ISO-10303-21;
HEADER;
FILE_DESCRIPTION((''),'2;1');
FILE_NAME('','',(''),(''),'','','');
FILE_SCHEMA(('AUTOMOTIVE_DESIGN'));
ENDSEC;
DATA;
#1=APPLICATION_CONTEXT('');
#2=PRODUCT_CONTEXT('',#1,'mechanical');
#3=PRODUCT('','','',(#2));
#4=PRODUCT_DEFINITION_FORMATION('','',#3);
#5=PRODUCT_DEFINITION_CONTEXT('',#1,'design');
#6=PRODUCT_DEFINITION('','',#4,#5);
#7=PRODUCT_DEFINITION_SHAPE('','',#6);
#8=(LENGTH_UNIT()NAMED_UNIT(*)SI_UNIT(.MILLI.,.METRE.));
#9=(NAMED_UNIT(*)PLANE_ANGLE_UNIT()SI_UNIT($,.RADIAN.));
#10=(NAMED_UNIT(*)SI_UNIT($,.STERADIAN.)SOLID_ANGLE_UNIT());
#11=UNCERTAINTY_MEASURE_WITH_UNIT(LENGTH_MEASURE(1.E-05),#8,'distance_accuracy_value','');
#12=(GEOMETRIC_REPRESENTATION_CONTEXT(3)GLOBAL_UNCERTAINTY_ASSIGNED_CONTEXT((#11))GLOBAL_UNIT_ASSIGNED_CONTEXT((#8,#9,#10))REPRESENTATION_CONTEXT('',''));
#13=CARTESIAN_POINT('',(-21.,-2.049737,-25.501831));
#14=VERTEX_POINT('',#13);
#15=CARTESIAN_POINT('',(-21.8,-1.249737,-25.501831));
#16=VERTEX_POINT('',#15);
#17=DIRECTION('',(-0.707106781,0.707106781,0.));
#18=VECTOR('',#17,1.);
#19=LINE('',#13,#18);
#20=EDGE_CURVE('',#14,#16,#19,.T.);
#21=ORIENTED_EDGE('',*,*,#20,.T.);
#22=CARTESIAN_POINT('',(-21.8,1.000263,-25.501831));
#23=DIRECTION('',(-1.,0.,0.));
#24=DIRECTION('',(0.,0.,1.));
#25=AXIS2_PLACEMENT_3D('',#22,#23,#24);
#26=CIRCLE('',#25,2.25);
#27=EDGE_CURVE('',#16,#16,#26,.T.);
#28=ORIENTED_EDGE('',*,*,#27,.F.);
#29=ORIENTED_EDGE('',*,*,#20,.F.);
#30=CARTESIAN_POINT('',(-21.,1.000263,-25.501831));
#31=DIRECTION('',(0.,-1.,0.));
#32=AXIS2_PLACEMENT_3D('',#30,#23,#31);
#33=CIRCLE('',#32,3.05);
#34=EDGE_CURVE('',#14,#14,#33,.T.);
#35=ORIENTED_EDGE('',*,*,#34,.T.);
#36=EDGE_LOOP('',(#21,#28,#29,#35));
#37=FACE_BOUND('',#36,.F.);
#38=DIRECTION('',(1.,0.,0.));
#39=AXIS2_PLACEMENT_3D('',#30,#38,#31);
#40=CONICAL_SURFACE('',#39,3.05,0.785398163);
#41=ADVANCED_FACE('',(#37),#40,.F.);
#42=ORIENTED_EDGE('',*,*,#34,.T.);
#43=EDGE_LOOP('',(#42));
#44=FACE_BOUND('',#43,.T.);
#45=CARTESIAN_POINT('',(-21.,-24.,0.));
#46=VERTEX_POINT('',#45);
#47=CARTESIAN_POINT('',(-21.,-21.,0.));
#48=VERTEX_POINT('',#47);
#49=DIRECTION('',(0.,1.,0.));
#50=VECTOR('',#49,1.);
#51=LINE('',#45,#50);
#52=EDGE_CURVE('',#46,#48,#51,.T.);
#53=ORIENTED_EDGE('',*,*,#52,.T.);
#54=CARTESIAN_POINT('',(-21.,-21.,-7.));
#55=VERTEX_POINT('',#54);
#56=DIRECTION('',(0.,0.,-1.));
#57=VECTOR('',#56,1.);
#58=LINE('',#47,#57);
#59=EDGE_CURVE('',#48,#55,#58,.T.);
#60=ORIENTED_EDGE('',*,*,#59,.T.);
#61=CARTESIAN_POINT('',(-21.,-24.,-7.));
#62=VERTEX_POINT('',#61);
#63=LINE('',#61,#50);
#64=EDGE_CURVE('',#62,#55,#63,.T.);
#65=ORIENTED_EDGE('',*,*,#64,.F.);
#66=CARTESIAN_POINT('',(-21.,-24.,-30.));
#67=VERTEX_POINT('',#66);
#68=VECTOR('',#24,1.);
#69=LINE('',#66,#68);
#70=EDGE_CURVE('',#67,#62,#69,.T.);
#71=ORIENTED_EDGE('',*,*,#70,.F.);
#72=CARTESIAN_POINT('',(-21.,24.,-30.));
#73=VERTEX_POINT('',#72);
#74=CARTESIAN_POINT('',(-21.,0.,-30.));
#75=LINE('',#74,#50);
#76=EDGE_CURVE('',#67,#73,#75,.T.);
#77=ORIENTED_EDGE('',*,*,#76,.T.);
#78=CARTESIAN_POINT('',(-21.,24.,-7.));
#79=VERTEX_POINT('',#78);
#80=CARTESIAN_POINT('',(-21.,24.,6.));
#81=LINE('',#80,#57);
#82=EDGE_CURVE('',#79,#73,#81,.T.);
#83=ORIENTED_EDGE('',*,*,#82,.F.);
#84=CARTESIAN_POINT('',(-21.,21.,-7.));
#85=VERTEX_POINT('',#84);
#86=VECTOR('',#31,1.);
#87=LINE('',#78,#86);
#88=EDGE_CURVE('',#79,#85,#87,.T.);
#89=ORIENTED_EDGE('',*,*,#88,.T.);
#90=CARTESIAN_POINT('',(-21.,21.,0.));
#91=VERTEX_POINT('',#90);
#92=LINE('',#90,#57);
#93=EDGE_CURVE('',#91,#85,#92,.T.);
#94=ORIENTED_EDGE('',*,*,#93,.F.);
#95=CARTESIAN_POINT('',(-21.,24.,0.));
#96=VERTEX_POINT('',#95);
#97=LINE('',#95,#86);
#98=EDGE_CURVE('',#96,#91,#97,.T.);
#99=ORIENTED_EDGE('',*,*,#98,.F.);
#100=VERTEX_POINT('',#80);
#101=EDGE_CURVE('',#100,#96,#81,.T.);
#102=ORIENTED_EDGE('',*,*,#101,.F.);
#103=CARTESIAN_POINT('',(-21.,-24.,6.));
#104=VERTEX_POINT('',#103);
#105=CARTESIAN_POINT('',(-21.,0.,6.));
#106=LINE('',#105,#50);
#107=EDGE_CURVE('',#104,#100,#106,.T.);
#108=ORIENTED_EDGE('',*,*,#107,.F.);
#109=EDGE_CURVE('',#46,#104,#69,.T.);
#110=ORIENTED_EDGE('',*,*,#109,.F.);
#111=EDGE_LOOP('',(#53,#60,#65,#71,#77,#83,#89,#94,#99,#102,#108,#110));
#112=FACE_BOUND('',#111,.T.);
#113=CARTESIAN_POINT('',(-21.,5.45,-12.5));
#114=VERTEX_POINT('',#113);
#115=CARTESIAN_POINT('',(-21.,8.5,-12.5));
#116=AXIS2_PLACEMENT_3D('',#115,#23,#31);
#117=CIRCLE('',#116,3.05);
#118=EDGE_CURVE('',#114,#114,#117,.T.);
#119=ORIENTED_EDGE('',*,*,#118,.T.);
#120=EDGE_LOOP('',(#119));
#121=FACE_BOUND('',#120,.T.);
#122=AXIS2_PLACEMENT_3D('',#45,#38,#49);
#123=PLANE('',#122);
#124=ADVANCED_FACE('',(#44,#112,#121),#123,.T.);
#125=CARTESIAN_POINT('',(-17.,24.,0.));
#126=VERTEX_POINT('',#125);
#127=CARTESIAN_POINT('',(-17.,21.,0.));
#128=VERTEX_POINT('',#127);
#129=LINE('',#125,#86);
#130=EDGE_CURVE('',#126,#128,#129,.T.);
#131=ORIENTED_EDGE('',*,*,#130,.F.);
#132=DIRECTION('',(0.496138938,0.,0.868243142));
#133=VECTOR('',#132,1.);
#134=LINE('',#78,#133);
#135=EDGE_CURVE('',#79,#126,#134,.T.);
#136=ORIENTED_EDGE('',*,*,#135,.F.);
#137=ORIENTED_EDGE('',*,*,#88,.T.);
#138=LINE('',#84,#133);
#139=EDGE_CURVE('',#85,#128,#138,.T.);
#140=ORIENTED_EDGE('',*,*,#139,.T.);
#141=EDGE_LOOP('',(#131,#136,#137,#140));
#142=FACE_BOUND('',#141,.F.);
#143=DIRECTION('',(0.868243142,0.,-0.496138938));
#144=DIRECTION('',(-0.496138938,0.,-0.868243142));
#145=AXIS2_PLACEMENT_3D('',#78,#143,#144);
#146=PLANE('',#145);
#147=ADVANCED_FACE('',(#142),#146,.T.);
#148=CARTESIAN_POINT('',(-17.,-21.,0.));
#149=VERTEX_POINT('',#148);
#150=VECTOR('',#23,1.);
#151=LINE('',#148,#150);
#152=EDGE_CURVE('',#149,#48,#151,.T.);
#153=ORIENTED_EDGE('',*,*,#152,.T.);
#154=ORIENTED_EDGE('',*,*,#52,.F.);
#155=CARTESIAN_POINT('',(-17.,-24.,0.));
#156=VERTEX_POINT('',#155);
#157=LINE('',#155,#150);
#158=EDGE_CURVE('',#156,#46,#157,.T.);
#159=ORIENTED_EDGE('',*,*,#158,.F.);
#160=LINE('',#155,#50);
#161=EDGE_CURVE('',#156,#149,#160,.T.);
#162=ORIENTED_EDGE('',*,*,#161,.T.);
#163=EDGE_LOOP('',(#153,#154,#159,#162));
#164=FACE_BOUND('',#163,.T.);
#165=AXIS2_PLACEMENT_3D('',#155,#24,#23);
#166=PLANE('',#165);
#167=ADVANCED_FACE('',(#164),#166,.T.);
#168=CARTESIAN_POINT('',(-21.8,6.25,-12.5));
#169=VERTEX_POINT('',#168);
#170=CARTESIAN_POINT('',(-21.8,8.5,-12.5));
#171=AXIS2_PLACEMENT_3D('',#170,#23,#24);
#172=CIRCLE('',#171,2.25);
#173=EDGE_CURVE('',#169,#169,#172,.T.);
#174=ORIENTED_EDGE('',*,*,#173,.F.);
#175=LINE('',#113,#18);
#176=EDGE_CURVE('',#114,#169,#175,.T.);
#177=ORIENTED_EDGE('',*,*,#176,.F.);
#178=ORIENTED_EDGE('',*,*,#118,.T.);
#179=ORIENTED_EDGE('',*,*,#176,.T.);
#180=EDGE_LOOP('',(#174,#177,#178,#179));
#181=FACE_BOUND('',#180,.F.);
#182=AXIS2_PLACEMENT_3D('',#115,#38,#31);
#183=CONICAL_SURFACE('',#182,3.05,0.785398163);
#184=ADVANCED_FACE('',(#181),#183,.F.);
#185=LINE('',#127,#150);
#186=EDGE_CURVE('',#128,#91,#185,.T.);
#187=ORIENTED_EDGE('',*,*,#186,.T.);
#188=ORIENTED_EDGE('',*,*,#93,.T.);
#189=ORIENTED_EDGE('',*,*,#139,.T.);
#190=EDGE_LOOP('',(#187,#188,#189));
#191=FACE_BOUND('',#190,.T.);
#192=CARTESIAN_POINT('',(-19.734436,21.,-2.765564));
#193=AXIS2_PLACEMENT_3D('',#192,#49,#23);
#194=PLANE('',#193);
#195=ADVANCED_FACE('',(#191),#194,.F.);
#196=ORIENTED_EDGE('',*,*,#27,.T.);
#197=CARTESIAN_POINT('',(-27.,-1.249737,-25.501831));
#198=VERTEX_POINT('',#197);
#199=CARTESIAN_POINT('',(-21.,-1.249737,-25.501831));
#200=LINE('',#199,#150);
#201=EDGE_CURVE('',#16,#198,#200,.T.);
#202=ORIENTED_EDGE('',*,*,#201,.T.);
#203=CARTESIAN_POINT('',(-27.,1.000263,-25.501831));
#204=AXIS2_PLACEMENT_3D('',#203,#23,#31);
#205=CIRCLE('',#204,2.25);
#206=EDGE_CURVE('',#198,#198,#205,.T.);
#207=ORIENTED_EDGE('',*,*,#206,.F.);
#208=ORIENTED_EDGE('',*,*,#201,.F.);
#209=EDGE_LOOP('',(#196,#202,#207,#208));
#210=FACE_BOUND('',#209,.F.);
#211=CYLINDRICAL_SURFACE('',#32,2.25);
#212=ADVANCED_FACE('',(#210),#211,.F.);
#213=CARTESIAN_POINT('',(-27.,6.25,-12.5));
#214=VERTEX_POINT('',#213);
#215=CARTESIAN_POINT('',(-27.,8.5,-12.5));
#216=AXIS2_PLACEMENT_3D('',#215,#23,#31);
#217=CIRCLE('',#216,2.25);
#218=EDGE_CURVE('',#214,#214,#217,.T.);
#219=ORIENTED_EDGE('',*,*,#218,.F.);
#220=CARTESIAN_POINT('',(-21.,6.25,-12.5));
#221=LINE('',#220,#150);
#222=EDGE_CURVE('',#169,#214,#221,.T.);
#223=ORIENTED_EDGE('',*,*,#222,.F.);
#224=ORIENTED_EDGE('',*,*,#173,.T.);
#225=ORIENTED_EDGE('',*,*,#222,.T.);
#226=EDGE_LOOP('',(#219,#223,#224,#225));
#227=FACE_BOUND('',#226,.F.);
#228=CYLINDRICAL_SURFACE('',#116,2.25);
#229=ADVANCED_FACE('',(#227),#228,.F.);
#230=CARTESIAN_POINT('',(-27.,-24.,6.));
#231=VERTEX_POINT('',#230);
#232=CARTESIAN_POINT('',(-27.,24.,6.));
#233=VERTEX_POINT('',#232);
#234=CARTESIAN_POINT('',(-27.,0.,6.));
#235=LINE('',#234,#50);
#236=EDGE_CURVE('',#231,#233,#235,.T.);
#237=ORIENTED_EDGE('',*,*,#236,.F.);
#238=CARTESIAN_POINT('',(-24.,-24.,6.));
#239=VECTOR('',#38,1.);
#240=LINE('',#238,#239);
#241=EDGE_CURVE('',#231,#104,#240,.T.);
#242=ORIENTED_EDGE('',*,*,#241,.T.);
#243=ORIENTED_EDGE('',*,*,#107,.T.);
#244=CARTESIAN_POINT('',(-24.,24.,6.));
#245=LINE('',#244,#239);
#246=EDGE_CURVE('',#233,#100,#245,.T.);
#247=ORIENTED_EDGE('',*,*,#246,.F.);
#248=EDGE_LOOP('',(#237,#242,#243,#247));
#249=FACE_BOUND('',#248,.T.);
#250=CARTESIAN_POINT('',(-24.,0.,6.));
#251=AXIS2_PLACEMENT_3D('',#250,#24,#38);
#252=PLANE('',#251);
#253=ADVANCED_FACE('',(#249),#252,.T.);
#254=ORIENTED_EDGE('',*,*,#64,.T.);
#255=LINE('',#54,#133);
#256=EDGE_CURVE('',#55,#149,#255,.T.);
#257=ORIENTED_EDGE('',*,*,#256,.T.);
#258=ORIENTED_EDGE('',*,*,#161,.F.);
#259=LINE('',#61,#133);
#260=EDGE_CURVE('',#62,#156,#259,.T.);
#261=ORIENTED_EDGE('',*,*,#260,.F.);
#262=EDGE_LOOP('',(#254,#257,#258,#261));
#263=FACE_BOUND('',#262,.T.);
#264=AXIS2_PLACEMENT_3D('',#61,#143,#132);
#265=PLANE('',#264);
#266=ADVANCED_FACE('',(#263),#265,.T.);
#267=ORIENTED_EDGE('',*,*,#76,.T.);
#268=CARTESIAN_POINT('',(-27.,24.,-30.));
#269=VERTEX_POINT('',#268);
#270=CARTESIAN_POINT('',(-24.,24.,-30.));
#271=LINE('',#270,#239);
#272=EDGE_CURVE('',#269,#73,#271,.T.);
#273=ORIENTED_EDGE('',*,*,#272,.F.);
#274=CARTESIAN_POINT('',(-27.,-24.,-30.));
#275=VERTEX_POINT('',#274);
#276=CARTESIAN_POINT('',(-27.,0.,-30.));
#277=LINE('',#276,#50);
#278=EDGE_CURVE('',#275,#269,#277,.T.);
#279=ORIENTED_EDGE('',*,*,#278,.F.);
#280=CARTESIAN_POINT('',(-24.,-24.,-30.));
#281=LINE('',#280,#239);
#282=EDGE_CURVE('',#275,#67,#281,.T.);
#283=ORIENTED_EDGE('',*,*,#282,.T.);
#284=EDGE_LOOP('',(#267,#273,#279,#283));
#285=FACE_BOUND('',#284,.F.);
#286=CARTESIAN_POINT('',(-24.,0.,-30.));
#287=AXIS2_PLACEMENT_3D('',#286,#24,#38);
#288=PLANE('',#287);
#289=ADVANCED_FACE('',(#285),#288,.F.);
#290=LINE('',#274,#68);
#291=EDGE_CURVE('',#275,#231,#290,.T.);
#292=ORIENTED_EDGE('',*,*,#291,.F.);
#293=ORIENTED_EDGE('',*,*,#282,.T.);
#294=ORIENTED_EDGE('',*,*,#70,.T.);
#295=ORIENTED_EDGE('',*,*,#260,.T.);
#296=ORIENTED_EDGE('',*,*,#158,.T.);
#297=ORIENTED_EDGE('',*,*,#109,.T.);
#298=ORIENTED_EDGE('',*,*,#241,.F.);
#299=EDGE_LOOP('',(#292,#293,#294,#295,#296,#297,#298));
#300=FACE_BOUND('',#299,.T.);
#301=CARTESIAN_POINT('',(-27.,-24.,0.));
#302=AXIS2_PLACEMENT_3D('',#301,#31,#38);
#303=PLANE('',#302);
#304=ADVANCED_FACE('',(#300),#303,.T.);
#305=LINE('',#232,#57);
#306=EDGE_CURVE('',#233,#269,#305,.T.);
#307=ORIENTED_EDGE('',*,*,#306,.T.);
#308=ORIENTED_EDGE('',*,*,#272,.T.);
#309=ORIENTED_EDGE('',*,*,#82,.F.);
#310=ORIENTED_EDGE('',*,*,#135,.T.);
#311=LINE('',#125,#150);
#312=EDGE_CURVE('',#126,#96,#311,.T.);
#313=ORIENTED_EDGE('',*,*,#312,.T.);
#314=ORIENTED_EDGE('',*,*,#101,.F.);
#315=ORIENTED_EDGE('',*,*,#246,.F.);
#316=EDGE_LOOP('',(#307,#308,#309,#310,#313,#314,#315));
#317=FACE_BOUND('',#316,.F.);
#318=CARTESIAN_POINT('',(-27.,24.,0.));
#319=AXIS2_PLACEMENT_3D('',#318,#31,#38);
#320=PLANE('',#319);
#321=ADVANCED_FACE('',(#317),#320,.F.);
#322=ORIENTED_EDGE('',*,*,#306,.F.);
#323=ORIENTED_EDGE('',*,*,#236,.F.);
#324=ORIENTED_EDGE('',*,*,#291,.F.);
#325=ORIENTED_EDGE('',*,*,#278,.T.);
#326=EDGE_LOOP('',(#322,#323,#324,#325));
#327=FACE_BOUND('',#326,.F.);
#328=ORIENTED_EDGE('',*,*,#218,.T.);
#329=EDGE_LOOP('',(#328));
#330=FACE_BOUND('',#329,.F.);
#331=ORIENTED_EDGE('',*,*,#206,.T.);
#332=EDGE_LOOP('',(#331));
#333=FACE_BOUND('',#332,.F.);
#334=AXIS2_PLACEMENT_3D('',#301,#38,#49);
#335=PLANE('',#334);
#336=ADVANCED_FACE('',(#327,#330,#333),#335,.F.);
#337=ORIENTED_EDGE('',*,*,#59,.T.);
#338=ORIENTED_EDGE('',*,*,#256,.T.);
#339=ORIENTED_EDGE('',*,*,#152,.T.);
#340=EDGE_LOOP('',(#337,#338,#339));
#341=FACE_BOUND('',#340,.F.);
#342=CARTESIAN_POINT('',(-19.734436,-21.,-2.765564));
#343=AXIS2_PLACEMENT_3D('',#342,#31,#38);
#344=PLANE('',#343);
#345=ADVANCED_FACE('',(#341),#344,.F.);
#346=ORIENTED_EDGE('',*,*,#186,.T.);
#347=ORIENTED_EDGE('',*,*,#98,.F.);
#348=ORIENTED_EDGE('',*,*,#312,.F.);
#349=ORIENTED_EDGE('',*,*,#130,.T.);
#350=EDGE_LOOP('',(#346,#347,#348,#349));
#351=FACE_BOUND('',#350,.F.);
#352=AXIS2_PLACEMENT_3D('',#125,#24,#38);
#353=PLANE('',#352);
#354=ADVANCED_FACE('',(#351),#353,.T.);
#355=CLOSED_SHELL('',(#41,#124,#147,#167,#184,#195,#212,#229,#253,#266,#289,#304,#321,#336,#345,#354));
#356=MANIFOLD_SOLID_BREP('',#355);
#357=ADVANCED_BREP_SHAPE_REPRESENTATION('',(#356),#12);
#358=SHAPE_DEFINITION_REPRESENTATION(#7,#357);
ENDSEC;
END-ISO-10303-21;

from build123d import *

# Parameters (mm, degrees)
SKETCH020_W         = 6
SKETCH020_H         = 48
PAD007_DEPTH        = 6
PAD007_DEPTH_BACK   = 30
PAD008_DEPTH        = 3
HOLE010_D           = 4.5
HOLE010_DEPTH       = 25
HOLE010_CSINK_D     = 6.1
HOLE010_CSINK_ANGLE = 90


with BuildPart() as part:
    # Sketch020 (on Face1 of Binder013) → Pad007 (new body, two sides)
    with BuildSketch(Plane.XY) as pad007_sk:
        with Locations((-24, 0)):
            Rectangle(SKETCH020_W, SKETCH020_H)
    extrude(amount=PAD007_DEPTH)
    extrude(pad007_sk.sketch, amount=-PAD007_DEPTH_BACK)

    # Sketch021 (on Face3 of Pad007) → Pad008 (join)
    with BuildSketch(Plane.XZ.offset(24)):
        Polygon((-21, 0), (-21, -7), (-17, 0), align=None)
    pad008 = extrude(amount=-PAD008_DEPTH)

    # Mirrored002: Pad008 across XZ
    add(pad008.mirror(Plane.XZ))

    # Hole010
    with Locations(Plane(origin=(-21, 191, 0), x_dir=(0, 1, 0), z_dir=(1, 0, 0))):
        with Locations((-189.999737, -25.501831), (-182.5, -12.5)):
            CounterSinkHole(HOLE010_D / 2, HOLE010_CSINK_D / 2, depth=HOLE010_DEPTH, counter_sink_angle=HOLE010_CSINK_ANGLE)


solid = part.part
